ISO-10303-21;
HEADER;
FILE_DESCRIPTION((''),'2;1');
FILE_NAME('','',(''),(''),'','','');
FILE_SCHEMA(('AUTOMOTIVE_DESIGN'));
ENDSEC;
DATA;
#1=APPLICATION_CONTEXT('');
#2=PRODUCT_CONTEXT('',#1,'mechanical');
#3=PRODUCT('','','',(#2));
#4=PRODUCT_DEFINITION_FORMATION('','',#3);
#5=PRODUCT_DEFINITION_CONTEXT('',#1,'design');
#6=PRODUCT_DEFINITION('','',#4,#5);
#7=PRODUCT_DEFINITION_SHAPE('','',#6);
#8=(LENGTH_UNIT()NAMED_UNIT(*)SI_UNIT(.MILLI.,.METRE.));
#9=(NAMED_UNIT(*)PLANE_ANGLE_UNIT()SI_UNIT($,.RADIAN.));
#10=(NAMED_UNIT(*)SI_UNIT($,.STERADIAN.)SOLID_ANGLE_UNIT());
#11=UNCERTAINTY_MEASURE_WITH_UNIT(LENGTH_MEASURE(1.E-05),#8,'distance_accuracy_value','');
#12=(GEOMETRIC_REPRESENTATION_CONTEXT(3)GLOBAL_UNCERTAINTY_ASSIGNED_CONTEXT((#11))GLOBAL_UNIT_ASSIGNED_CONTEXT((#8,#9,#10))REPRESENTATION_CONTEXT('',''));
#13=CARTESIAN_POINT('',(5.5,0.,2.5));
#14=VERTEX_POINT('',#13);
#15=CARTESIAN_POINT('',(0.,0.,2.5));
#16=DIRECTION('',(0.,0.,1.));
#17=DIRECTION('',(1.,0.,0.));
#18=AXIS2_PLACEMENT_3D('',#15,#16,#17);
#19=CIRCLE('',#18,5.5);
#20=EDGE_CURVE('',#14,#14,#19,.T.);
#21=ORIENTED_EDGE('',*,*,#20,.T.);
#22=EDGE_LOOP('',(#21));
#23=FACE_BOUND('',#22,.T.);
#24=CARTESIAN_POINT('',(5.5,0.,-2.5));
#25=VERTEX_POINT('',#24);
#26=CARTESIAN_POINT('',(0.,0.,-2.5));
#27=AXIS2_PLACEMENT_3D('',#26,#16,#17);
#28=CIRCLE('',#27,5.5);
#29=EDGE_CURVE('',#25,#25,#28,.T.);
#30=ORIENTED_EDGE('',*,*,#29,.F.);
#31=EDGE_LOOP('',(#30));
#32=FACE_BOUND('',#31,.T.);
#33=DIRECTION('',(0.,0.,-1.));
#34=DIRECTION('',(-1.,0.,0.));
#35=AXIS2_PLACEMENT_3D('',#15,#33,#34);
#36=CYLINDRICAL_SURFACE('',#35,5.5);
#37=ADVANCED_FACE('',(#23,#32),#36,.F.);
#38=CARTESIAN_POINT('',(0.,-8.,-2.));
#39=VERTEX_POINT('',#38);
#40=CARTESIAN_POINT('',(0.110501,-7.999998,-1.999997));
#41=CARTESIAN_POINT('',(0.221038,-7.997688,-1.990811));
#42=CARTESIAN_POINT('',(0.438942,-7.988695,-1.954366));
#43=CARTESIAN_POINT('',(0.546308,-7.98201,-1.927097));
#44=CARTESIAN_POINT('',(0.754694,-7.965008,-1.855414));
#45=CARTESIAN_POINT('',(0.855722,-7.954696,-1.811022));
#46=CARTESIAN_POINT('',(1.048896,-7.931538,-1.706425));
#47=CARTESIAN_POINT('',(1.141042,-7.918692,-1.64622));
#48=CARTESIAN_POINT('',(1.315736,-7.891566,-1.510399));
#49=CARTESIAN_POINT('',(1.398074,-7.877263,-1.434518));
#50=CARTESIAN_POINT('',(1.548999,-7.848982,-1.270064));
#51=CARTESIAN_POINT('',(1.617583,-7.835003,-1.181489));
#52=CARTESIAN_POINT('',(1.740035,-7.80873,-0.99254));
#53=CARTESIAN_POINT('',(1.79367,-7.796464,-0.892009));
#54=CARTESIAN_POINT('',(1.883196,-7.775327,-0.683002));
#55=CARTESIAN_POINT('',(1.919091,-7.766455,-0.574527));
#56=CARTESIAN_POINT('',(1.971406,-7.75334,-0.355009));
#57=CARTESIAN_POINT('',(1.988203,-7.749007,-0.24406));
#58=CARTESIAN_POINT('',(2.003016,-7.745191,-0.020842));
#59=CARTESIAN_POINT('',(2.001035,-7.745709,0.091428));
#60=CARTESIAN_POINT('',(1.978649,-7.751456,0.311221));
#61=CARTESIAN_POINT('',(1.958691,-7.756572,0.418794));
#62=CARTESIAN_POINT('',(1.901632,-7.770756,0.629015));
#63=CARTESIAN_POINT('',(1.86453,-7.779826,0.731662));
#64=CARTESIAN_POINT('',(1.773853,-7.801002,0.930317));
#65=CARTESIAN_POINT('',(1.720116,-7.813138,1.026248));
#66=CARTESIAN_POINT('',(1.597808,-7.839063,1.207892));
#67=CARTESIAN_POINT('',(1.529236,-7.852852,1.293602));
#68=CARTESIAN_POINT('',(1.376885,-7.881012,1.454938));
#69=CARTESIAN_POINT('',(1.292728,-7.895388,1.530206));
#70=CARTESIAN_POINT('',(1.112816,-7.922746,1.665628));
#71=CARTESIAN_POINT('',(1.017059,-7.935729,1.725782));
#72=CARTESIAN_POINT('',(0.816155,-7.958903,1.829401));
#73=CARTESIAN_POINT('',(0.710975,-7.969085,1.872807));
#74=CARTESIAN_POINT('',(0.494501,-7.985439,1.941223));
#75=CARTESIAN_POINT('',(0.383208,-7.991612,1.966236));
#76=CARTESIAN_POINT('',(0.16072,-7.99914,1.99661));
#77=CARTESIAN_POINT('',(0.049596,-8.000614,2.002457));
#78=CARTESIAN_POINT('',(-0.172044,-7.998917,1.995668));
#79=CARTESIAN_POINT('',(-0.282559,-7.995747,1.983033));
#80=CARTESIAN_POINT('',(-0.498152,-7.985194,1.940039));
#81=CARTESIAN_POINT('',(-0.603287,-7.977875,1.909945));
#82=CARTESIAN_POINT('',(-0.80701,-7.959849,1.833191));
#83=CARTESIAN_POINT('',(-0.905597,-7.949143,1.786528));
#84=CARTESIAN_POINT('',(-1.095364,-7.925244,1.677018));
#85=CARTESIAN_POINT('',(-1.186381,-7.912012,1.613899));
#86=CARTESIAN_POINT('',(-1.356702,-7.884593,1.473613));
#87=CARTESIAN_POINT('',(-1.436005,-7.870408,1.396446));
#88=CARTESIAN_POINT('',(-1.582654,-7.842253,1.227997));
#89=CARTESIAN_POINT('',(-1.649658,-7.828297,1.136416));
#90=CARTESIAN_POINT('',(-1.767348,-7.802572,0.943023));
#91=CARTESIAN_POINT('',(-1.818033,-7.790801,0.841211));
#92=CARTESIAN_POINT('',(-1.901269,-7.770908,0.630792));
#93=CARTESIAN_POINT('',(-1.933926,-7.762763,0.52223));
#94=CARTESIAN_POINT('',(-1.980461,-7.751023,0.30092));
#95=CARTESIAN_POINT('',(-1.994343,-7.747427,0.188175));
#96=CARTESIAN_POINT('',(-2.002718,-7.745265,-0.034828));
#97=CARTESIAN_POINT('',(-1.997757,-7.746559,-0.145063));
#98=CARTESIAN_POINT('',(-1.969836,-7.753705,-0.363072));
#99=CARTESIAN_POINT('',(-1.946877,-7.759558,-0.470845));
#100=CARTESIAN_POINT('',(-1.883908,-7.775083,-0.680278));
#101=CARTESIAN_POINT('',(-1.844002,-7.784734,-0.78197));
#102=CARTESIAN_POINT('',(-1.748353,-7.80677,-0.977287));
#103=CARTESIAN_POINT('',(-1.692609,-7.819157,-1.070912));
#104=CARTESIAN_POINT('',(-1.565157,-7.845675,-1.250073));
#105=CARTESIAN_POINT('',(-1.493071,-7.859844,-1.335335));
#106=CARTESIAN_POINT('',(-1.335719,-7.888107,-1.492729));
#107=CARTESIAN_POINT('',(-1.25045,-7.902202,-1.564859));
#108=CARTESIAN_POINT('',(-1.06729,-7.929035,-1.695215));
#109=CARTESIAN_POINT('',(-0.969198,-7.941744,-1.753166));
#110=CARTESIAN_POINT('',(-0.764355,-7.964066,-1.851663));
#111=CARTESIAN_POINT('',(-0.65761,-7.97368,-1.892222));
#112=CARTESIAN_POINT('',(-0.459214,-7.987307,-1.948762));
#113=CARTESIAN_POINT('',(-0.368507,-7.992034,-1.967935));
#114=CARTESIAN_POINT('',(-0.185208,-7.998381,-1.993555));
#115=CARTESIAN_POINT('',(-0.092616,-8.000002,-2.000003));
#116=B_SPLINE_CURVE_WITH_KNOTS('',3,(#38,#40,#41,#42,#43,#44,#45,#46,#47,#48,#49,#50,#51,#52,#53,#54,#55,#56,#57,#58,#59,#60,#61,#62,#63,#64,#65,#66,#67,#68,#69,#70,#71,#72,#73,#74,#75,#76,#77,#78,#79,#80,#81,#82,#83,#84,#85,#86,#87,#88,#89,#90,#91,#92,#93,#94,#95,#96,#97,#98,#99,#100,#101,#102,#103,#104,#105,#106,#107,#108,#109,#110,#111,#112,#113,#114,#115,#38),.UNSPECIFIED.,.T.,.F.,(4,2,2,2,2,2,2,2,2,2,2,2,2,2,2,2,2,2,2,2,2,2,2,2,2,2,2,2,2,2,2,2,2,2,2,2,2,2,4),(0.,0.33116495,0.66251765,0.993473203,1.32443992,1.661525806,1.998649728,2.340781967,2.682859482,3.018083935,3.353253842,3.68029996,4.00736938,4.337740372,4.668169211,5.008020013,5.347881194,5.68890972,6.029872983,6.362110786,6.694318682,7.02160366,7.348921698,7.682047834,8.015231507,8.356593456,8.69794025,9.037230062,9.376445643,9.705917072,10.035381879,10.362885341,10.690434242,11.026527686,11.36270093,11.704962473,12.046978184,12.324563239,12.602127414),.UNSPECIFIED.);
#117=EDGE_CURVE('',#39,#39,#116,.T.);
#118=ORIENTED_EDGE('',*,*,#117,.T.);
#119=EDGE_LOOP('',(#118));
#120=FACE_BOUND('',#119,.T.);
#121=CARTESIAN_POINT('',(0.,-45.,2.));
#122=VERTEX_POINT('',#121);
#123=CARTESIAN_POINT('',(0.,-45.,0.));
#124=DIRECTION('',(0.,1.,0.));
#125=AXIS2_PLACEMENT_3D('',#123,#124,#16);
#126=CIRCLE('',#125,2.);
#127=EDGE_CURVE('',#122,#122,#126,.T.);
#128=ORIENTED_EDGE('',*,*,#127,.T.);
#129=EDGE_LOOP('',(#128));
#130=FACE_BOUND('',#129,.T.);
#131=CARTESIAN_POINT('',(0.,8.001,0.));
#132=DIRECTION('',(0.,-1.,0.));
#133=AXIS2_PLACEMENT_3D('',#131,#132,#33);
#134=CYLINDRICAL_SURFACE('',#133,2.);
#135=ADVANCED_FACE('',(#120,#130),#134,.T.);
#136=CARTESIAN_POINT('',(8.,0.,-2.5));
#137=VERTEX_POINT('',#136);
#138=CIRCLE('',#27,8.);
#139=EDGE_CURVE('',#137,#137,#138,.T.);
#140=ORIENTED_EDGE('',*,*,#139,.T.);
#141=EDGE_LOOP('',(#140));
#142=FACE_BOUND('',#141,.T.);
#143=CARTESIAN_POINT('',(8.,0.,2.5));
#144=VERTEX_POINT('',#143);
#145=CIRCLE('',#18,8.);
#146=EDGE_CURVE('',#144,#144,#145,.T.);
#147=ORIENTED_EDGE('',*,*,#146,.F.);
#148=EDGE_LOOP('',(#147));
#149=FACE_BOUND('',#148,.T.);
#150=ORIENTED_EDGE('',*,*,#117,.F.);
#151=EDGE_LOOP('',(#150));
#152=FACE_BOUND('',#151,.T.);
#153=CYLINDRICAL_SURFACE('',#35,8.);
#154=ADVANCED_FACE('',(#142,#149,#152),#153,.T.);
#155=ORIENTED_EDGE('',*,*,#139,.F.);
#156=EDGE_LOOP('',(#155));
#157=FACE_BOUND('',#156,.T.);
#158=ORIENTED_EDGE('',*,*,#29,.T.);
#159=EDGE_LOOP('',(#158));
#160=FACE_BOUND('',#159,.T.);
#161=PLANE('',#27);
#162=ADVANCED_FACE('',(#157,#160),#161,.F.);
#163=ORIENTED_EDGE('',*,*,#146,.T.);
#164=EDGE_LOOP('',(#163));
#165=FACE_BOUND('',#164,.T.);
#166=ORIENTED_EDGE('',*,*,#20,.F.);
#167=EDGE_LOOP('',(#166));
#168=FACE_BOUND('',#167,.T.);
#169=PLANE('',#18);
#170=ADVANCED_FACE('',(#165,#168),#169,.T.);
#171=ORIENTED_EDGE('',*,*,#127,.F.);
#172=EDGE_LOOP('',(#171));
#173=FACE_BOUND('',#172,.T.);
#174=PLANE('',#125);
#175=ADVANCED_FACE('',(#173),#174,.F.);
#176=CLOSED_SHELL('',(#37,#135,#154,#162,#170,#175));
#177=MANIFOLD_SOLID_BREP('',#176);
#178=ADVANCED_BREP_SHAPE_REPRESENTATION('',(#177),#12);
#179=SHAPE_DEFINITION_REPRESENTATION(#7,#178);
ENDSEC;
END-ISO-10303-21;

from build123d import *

# Parameters (mm, degrees)
SKETCH_1_R           = 8
SKETCH_1_R_2         = 5.5
EXTRUDE_1_DEPTH      = 2.5
EXTRUDE_2_REACH      = 55.659
EXTRUDE_2_END_RADIUS = 8
SKETCH_3_R           = 2


with BuildPart() as part:
    # 草图1 → 凸台-拉伸1 (new, symmetric)
    with BuildSketch(Plane.XY):
        Circle(SKETCH_1_R)
        Circle(SKETCH_1_R_2, mode=Mode.SUBTRACT)
    extrude(amount=EXTRUDE_1_DEPTH, both=True)

    # 凸台-拉伸2: up to this cylinder (the profile starts outside it)
    extrude_2_end = Plane(origin=(0, 0, 0), z_dir=(0, 0, -1)) * Cylinder(EXTRUDE_2_END_RADIUS, 128.318, mode=Mode.PRIVATE)
    # 草图3 → 凸台-拉伸2 (add, up to the surface)
    with BuildSketch(Plane(origin=(0, -45, 0), x_dir=(1, 0, 0), z_dir=(0, 1, 0)), mode=Mode.PRIVATE) as extrude_2_sk1:
        with Locations(Location((0, 0, 0), (0, 0, 90))):
            Circle(SKETCH_3_R)
    extrude_2_tool1 = extrude(extrude_2_sk1.sketch, amount=EXTRUDE_2_REACH, mode=Mode.PRIVATE) - extrude_2_end
    add(extrude_2_tool1.solids().sort_by_distance((0, -45, 0))[0])


solid = part.part
